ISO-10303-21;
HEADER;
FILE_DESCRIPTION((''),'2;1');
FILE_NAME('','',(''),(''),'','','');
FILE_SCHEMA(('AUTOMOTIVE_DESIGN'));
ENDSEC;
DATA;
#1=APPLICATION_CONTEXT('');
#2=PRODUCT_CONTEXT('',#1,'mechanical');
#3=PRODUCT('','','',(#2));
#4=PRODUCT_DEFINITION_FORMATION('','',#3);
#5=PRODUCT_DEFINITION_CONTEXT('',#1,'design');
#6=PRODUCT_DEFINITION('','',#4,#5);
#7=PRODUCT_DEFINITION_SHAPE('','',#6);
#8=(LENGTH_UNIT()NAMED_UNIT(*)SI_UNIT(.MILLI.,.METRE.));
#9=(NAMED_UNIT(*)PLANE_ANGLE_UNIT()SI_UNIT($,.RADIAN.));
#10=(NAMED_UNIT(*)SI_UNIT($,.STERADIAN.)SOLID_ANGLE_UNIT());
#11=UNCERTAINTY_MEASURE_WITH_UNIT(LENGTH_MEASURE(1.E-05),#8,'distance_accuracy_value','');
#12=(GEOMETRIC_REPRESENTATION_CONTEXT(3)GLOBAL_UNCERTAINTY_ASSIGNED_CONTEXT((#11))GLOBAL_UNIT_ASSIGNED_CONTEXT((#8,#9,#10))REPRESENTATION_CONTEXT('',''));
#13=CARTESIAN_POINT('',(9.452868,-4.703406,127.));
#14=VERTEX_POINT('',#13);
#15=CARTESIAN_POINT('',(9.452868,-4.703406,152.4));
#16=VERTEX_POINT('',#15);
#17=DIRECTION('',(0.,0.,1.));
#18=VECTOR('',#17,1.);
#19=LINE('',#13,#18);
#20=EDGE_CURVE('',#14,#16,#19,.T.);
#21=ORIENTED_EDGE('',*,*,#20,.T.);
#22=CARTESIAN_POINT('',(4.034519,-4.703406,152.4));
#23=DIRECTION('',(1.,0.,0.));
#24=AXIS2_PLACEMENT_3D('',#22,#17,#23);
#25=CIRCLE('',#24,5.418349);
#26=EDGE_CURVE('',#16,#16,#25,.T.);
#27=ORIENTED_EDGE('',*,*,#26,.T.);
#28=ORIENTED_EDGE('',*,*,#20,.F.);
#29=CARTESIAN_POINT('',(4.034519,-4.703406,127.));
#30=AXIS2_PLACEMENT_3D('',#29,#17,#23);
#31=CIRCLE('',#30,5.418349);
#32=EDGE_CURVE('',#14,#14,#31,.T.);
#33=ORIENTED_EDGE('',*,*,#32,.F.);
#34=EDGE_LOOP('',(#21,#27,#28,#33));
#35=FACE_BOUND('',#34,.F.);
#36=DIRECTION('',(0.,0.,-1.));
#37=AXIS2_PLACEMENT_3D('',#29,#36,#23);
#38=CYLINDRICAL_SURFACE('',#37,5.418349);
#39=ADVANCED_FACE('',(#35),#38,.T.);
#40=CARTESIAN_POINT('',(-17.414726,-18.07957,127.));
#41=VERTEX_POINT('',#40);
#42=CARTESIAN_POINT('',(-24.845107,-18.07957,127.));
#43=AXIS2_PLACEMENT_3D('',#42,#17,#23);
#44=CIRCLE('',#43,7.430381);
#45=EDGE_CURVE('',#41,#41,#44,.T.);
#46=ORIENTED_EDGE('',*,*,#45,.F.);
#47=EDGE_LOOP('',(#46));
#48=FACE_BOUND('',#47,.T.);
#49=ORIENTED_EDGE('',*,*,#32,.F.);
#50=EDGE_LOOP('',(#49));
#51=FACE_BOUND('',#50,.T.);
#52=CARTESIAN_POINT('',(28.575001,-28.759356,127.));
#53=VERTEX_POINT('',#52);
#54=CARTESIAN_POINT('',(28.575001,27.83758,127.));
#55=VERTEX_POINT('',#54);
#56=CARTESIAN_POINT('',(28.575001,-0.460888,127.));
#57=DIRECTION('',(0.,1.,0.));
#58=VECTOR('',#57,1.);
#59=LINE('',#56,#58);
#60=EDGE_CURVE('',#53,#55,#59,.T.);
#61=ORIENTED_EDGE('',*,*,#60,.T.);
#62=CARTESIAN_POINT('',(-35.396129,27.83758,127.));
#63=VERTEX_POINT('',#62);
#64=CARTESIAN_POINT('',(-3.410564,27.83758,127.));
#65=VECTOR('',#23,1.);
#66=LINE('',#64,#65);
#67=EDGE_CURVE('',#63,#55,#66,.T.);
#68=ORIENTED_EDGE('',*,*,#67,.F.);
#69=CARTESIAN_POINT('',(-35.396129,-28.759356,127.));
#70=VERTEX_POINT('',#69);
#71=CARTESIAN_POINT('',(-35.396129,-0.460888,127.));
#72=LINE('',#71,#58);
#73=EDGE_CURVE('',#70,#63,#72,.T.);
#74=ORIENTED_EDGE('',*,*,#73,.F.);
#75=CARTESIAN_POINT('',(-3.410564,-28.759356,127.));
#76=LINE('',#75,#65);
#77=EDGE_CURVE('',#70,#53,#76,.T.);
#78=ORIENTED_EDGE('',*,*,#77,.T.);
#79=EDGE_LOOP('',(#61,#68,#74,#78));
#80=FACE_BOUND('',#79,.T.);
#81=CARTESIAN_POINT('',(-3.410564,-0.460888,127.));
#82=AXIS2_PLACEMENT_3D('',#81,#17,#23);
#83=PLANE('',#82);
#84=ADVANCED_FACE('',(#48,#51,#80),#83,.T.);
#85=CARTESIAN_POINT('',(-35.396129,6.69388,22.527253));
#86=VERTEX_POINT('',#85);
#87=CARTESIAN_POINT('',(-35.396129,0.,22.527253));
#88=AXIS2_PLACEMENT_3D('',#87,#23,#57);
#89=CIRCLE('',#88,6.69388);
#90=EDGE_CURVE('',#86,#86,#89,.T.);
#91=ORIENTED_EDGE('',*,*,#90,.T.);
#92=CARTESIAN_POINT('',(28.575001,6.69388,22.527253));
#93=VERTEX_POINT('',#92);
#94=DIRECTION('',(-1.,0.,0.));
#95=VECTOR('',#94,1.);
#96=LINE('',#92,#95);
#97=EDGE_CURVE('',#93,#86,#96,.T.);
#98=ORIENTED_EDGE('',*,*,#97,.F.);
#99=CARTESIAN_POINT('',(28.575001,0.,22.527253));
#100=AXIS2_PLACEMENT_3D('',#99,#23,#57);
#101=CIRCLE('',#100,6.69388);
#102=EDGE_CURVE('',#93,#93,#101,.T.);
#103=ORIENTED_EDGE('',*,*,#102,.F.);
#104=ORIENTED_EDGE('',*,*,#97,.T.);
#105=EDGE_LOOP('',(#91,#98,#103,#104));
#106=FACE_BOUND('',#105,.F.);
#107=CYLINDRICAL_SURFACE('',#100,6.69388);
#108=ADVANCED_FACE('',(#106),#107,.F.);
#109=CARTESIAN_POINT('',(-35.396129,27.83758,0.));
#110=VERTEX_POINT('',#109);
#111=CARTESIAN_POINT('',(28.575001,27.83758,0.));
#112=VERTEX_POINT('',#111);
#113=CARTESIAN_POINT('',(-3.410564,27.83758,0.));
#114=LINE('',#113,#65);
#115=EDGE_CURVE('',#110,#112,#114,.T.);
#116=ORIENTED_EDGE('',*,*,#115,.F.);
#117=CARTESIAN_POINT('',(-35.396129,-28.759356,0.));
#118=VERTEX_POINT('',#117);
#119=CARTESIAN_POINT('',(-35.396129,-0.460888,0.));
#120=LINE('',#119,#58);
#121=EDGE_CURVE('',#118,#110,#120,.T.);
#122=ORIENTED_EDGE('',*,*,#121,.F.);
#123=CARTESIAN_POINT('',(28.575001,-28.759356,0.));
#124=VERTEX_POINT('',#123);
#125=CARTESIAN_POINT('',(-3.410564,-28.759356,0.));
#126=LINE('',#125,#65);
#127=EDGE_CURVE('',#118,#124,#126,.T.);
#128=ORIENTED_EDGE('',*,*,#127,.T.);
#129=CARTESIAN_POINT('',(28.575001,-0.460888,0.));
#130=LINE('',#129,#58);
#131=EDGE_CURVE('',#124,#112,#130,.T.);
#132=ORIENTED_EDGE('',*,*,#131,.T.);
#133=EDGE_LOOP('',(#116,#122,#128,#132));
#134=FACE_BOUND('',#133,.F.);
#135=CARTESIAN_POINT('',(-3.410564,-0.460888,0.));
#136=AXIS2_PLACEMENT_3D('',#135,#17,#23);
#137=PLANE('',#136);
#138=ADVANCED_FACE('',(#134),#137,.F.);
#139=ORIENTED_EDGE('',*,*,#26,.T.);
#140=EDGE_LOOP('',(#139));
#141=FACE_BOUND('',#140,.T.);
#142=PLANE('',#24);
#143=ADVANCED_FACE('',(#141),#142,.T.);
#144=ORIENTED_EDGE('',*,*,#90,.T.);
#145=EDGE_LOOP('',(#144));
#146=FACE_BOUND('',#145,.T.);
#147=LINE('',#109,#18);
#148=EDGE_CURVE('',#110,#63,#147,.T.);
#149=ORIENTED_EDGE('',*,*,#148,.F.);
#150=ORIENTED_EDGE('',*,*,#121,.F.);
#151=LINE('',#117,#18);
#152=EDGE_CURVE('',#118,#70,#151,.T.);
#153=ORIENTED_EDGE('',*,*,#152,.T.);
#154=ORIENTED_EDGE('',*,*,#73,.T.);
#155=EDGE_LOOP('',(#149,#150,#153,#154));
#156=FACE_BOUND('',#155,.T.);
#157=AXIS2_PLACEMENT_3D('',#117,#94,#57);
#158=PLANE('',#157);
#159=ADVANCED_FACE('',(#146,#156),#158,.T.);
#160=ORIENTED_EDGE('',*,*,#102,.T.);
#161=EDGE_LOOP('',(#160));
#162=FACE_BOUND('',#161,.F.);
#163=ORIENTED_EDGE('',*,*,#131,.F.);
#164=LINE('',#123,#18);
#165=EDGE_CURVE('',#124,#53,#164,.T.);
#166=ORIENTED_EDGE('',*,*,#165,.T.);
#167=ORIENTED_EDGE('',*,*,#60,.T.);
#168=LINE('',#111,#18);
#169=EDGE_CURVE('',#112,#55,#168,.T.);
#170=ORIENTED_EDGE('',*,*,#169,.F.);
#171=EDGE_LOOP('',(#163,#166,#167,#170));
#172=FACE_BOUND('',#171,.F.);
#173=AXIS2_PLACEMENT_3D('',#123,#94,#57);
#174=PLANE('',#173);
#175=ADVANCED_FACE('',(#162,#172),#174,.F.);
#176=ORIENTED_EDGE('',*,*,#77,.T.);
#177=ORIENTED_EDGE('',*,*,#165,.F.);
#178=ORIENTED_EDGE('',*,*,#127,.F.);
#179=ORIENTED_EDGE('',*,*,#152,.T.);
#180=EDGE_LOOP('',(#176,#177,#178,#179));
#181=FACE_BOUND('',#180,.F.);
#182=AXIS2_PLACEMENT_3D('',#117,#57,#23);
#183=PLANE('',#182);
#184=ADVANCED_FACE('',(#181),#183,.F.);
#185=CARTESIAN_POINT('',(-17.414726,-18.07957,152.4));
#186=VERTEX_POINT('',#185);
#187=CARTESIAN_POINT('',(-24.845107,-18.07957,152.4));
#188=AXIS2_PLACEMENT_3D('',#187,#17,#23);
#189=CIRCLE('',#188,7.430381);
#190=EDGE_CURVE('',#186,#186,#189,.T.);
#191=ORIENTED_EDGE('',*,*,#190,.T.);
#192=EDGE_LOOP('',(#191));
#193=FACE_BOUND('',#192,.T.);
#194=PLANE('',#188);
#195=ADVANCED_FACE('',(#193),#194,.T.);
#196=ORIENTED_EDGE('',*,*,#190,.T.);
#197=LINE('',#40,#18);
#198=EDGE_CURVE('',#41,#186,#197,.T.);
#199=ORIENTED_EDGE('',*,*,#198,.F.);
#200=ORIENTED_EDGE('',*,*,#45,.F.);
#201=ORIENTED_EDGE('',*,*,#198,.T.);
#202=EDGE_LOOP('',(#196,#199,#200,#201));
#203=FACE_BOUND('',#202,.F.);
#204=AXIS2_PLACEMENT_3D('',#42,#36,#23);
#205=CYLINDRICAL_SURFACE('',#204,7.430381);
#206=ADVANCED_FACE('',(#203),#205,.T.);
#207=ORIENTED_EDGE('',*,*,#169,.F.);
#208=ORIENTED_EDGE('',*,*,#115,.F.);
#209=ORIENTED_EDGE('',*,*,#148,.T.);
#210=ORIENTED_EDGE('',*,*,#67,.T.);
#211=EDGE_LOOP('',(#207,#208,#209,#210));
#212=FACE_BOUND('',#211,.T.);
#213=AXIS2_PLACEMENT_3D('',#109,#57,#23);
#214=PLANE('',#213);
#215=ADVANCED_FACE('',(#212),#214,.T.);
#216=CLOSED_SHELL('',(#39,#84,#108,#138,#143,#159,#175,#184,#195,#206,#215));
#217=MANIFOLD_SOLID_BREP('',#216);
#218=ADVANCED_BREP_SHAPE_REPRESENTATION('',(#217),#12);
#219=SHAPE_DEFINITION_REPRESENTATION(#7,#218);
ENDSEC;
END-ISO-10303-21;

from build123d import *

# Parameters (mm, degrees)
F0_W     = 63.97113
F0_H     = 56.596935
F1_DEPTH = 127
F2_R     = 5.418349
F3_DEPTH = 25.4
F4_R     = 6.69388
F5_DEPTH = 85.09
F6_R     = 7.430381
F7_DEPTH = 25.4


with BuildPart() as f1:
    # F0 (on Top) → F1 (new body)
    with BuildSketch(Plane.XY):
        with Locations((-3.410564, -0.460888)):
            Rectangle(F0_W, F0_H)
    extrude(amount=F1_DEPTH)

    # F2 (on face) → F3 (join)
    with BuildSketch(Plane.XY.offset(127)):
        with Locations((4.034519, -4.703406)):
            Circle(F2_R)
    extrude(amount=F3_DEPTH)

    # F4 (on face) → F5 (cut)
    with BuildSketch(Plane.YZ.offset(28.575001)):
        with Locations((0, 22.527253)):
            Circle(F4_R)
    extrude(amount=-F5_DEPTH, mode=Mode.SUBTRACT)

    # F6 (on face) → F7 (join)
    with BuildSketch(Plane.XY.offset(127)):
        with Locations((-24.845107, -18.07957)):
            Circle(F6_R)
    extrude(amount=F7_DEPTH)


solid = f1.part
